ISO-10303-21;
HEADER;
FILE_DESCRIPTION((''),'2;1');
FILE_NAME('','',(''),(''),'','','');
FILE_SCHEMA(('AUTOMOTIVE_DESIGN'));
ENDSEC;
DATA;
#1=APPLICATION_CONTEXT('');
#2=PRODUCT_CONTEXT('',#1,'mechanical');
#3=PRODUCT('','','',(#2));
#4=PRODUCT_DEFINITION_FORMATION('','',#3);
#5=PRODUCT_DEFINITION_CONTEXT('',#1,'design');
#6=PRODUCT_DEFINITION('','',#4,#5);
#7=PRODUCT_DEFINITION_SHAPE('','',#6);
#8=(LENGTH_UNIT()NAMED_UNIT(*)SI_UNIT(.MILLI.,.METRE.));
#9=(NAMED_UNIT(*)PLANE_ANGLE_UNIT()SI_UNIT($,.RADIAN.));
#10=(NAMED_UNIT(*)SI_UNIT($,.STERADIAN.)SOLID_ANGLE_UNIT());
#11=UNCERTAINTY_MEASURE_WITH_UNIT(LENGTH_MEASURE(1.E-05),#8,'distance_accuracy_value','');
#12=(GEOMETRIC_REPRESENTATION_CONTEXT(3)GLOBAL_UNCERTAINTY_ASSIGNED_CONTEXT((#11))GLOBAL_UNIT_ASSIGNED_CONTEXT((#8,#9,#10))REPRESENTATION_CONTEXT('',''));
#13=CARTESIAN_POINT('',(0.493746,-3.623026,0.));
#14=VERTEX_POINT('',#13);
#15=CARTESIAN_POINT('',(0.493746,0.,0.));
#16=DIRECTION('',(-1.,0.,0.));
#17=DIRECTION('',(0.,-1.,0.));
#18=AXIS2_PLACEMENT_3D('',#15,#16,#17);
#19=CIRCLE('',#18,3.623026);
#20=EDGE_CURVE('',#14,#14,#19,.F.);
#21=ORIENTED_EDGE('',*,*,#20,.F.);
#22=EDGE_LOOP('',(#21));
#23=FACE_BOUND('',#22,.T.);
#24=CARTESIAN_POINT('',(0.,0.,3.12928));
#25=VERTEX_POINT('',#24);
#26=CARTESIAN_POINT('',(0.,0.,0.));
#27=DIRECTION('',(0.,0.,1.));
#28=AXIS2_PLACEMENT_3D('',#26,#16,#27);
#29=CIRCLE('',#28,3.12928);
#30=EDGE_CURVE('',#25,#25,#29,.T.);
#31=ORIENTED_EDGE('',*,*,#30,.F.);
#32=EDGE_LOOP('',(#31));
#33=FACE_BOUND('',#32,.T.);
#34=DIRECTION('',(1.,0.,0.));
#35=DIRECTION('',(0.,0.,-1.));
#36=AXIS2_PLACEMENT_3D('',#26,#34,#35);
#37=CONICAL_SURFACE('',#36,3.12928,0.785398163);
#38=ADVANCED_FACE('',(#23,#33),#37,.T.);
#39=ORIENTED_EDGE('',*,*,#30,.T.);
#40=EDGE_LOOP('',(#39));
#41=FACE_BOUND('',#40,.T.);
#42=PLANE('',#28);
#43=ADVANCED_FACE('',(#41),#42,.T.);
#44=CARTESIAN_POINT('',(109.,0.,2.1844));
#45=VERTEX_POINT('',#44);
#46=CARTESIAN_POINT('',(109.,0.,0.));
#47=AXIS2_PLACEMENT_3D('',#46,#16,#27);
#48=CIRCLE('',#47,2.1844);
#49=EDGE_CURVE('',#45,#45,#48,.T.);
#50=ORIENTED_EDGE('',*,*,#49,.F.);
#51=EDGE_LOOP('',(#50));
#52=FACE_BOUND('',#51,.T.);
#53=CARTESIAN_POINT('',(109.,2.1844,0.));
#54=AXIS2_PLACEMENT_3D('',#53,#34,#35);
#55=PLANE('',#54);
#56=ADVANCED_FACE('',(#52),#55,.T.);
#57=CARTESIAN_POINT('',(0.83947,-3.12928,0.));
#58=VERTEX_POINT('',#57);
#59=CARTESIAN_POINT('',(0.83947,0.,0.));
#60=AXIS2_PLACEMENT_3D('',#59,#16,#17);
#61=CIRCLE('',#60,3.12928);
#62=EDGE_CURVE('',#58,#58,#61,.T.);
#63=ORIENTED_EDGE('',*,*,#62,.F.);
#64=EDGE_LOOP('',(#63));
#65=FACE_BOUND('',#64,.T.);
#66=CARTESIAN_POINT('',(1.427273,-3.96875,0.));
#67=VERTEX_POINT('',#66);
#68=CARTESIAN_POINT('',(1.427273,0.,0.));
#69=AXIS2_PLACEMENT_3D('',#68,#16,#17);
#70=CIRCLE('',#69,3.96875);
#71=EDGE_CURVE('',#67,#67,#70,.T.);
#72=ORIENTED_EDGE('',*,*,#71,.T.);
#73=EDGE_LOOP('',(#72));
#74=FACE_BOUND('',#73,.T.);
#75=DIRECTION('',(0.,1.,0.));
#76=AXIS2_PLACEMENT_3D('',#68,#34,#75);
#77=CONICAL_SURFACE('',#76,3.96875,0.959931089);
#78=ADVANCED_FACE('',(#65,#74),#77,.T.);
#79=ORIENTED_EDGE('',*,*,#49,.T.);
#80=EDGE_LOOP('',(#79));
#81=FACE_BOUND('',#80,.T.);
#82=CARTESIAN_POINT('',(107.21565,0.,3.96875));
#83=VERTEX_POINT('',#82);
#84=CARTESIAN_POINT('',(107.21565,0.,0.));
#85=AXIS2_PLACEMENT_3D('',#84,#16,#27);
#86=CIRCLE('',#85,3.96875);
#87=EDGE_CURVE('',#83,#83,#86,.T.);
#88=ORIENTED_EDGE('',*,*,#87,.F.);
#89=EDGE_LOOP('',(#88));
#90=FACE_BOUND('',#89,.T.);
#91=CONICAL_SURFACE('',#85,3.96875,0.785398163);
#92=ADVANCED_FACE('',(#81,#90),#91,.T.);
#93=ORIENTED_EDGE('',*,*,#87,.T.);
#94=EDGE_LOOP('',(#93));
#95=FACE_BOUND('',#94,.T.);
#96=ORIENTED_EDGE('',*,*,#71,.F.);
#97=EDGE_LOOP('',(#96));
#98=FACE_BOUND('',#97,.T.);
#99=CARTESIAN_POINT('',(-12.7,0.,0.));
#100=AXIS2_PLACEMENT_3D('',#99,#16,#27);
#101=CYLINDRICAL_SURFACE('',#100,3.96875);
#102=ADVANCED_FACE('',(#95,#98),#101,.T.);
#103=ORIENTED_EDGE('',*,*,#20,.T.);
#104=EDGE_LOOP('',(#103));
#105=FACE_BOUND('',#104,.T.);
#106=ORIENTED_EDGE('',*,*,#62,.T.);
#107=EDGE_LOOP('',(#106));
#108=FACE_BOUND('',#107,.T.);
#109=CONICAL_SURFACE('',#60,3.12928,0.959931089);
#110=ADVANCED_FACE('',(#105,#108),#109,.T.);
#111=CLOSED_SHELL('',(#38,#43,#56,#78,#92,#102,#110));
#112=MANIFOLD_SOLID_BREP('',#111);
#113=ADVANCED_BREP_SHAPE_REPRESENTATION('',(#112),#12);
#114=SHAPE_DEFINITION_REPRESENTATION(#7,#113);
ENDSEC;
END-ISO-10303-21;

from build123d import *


with BuildPart() as part:
    # BodySke → BaseBody (revolve)
    with BuildSketch(Plane.XY, mode=Mode.PRIVATE) as basebody_sk:
        Polygon((0, 0), (0, 3.12928), (0.83947, 3.96875), (107.215649932, 3.96875), (108.999999932, 2.1844), (108.999999932, 0), align=None)
    revolve(basebody_sk.sketch.rotate(Axis((-12.7, 0, 0), (1, 0, 0)), 90), axis=Axis((-12.7, 0, 0), (1, 0, 0)))

    # ThdSchSke → ThreadSchematic (revolve, cut)
    with BuildSketch(Plane.XY):
        Polygon((0.83947, -3.12928), (0.251666778, -3.96875), (0.251666778, -4.9609375), (1.427273222, -4.9609375), (1.427273222, -3.96875), align=None)
    revolve(axis=Axis((-3.175, 0, 0), (1, 0, 0)), mode=Mode.SUBTRACT)


solid = part.part
